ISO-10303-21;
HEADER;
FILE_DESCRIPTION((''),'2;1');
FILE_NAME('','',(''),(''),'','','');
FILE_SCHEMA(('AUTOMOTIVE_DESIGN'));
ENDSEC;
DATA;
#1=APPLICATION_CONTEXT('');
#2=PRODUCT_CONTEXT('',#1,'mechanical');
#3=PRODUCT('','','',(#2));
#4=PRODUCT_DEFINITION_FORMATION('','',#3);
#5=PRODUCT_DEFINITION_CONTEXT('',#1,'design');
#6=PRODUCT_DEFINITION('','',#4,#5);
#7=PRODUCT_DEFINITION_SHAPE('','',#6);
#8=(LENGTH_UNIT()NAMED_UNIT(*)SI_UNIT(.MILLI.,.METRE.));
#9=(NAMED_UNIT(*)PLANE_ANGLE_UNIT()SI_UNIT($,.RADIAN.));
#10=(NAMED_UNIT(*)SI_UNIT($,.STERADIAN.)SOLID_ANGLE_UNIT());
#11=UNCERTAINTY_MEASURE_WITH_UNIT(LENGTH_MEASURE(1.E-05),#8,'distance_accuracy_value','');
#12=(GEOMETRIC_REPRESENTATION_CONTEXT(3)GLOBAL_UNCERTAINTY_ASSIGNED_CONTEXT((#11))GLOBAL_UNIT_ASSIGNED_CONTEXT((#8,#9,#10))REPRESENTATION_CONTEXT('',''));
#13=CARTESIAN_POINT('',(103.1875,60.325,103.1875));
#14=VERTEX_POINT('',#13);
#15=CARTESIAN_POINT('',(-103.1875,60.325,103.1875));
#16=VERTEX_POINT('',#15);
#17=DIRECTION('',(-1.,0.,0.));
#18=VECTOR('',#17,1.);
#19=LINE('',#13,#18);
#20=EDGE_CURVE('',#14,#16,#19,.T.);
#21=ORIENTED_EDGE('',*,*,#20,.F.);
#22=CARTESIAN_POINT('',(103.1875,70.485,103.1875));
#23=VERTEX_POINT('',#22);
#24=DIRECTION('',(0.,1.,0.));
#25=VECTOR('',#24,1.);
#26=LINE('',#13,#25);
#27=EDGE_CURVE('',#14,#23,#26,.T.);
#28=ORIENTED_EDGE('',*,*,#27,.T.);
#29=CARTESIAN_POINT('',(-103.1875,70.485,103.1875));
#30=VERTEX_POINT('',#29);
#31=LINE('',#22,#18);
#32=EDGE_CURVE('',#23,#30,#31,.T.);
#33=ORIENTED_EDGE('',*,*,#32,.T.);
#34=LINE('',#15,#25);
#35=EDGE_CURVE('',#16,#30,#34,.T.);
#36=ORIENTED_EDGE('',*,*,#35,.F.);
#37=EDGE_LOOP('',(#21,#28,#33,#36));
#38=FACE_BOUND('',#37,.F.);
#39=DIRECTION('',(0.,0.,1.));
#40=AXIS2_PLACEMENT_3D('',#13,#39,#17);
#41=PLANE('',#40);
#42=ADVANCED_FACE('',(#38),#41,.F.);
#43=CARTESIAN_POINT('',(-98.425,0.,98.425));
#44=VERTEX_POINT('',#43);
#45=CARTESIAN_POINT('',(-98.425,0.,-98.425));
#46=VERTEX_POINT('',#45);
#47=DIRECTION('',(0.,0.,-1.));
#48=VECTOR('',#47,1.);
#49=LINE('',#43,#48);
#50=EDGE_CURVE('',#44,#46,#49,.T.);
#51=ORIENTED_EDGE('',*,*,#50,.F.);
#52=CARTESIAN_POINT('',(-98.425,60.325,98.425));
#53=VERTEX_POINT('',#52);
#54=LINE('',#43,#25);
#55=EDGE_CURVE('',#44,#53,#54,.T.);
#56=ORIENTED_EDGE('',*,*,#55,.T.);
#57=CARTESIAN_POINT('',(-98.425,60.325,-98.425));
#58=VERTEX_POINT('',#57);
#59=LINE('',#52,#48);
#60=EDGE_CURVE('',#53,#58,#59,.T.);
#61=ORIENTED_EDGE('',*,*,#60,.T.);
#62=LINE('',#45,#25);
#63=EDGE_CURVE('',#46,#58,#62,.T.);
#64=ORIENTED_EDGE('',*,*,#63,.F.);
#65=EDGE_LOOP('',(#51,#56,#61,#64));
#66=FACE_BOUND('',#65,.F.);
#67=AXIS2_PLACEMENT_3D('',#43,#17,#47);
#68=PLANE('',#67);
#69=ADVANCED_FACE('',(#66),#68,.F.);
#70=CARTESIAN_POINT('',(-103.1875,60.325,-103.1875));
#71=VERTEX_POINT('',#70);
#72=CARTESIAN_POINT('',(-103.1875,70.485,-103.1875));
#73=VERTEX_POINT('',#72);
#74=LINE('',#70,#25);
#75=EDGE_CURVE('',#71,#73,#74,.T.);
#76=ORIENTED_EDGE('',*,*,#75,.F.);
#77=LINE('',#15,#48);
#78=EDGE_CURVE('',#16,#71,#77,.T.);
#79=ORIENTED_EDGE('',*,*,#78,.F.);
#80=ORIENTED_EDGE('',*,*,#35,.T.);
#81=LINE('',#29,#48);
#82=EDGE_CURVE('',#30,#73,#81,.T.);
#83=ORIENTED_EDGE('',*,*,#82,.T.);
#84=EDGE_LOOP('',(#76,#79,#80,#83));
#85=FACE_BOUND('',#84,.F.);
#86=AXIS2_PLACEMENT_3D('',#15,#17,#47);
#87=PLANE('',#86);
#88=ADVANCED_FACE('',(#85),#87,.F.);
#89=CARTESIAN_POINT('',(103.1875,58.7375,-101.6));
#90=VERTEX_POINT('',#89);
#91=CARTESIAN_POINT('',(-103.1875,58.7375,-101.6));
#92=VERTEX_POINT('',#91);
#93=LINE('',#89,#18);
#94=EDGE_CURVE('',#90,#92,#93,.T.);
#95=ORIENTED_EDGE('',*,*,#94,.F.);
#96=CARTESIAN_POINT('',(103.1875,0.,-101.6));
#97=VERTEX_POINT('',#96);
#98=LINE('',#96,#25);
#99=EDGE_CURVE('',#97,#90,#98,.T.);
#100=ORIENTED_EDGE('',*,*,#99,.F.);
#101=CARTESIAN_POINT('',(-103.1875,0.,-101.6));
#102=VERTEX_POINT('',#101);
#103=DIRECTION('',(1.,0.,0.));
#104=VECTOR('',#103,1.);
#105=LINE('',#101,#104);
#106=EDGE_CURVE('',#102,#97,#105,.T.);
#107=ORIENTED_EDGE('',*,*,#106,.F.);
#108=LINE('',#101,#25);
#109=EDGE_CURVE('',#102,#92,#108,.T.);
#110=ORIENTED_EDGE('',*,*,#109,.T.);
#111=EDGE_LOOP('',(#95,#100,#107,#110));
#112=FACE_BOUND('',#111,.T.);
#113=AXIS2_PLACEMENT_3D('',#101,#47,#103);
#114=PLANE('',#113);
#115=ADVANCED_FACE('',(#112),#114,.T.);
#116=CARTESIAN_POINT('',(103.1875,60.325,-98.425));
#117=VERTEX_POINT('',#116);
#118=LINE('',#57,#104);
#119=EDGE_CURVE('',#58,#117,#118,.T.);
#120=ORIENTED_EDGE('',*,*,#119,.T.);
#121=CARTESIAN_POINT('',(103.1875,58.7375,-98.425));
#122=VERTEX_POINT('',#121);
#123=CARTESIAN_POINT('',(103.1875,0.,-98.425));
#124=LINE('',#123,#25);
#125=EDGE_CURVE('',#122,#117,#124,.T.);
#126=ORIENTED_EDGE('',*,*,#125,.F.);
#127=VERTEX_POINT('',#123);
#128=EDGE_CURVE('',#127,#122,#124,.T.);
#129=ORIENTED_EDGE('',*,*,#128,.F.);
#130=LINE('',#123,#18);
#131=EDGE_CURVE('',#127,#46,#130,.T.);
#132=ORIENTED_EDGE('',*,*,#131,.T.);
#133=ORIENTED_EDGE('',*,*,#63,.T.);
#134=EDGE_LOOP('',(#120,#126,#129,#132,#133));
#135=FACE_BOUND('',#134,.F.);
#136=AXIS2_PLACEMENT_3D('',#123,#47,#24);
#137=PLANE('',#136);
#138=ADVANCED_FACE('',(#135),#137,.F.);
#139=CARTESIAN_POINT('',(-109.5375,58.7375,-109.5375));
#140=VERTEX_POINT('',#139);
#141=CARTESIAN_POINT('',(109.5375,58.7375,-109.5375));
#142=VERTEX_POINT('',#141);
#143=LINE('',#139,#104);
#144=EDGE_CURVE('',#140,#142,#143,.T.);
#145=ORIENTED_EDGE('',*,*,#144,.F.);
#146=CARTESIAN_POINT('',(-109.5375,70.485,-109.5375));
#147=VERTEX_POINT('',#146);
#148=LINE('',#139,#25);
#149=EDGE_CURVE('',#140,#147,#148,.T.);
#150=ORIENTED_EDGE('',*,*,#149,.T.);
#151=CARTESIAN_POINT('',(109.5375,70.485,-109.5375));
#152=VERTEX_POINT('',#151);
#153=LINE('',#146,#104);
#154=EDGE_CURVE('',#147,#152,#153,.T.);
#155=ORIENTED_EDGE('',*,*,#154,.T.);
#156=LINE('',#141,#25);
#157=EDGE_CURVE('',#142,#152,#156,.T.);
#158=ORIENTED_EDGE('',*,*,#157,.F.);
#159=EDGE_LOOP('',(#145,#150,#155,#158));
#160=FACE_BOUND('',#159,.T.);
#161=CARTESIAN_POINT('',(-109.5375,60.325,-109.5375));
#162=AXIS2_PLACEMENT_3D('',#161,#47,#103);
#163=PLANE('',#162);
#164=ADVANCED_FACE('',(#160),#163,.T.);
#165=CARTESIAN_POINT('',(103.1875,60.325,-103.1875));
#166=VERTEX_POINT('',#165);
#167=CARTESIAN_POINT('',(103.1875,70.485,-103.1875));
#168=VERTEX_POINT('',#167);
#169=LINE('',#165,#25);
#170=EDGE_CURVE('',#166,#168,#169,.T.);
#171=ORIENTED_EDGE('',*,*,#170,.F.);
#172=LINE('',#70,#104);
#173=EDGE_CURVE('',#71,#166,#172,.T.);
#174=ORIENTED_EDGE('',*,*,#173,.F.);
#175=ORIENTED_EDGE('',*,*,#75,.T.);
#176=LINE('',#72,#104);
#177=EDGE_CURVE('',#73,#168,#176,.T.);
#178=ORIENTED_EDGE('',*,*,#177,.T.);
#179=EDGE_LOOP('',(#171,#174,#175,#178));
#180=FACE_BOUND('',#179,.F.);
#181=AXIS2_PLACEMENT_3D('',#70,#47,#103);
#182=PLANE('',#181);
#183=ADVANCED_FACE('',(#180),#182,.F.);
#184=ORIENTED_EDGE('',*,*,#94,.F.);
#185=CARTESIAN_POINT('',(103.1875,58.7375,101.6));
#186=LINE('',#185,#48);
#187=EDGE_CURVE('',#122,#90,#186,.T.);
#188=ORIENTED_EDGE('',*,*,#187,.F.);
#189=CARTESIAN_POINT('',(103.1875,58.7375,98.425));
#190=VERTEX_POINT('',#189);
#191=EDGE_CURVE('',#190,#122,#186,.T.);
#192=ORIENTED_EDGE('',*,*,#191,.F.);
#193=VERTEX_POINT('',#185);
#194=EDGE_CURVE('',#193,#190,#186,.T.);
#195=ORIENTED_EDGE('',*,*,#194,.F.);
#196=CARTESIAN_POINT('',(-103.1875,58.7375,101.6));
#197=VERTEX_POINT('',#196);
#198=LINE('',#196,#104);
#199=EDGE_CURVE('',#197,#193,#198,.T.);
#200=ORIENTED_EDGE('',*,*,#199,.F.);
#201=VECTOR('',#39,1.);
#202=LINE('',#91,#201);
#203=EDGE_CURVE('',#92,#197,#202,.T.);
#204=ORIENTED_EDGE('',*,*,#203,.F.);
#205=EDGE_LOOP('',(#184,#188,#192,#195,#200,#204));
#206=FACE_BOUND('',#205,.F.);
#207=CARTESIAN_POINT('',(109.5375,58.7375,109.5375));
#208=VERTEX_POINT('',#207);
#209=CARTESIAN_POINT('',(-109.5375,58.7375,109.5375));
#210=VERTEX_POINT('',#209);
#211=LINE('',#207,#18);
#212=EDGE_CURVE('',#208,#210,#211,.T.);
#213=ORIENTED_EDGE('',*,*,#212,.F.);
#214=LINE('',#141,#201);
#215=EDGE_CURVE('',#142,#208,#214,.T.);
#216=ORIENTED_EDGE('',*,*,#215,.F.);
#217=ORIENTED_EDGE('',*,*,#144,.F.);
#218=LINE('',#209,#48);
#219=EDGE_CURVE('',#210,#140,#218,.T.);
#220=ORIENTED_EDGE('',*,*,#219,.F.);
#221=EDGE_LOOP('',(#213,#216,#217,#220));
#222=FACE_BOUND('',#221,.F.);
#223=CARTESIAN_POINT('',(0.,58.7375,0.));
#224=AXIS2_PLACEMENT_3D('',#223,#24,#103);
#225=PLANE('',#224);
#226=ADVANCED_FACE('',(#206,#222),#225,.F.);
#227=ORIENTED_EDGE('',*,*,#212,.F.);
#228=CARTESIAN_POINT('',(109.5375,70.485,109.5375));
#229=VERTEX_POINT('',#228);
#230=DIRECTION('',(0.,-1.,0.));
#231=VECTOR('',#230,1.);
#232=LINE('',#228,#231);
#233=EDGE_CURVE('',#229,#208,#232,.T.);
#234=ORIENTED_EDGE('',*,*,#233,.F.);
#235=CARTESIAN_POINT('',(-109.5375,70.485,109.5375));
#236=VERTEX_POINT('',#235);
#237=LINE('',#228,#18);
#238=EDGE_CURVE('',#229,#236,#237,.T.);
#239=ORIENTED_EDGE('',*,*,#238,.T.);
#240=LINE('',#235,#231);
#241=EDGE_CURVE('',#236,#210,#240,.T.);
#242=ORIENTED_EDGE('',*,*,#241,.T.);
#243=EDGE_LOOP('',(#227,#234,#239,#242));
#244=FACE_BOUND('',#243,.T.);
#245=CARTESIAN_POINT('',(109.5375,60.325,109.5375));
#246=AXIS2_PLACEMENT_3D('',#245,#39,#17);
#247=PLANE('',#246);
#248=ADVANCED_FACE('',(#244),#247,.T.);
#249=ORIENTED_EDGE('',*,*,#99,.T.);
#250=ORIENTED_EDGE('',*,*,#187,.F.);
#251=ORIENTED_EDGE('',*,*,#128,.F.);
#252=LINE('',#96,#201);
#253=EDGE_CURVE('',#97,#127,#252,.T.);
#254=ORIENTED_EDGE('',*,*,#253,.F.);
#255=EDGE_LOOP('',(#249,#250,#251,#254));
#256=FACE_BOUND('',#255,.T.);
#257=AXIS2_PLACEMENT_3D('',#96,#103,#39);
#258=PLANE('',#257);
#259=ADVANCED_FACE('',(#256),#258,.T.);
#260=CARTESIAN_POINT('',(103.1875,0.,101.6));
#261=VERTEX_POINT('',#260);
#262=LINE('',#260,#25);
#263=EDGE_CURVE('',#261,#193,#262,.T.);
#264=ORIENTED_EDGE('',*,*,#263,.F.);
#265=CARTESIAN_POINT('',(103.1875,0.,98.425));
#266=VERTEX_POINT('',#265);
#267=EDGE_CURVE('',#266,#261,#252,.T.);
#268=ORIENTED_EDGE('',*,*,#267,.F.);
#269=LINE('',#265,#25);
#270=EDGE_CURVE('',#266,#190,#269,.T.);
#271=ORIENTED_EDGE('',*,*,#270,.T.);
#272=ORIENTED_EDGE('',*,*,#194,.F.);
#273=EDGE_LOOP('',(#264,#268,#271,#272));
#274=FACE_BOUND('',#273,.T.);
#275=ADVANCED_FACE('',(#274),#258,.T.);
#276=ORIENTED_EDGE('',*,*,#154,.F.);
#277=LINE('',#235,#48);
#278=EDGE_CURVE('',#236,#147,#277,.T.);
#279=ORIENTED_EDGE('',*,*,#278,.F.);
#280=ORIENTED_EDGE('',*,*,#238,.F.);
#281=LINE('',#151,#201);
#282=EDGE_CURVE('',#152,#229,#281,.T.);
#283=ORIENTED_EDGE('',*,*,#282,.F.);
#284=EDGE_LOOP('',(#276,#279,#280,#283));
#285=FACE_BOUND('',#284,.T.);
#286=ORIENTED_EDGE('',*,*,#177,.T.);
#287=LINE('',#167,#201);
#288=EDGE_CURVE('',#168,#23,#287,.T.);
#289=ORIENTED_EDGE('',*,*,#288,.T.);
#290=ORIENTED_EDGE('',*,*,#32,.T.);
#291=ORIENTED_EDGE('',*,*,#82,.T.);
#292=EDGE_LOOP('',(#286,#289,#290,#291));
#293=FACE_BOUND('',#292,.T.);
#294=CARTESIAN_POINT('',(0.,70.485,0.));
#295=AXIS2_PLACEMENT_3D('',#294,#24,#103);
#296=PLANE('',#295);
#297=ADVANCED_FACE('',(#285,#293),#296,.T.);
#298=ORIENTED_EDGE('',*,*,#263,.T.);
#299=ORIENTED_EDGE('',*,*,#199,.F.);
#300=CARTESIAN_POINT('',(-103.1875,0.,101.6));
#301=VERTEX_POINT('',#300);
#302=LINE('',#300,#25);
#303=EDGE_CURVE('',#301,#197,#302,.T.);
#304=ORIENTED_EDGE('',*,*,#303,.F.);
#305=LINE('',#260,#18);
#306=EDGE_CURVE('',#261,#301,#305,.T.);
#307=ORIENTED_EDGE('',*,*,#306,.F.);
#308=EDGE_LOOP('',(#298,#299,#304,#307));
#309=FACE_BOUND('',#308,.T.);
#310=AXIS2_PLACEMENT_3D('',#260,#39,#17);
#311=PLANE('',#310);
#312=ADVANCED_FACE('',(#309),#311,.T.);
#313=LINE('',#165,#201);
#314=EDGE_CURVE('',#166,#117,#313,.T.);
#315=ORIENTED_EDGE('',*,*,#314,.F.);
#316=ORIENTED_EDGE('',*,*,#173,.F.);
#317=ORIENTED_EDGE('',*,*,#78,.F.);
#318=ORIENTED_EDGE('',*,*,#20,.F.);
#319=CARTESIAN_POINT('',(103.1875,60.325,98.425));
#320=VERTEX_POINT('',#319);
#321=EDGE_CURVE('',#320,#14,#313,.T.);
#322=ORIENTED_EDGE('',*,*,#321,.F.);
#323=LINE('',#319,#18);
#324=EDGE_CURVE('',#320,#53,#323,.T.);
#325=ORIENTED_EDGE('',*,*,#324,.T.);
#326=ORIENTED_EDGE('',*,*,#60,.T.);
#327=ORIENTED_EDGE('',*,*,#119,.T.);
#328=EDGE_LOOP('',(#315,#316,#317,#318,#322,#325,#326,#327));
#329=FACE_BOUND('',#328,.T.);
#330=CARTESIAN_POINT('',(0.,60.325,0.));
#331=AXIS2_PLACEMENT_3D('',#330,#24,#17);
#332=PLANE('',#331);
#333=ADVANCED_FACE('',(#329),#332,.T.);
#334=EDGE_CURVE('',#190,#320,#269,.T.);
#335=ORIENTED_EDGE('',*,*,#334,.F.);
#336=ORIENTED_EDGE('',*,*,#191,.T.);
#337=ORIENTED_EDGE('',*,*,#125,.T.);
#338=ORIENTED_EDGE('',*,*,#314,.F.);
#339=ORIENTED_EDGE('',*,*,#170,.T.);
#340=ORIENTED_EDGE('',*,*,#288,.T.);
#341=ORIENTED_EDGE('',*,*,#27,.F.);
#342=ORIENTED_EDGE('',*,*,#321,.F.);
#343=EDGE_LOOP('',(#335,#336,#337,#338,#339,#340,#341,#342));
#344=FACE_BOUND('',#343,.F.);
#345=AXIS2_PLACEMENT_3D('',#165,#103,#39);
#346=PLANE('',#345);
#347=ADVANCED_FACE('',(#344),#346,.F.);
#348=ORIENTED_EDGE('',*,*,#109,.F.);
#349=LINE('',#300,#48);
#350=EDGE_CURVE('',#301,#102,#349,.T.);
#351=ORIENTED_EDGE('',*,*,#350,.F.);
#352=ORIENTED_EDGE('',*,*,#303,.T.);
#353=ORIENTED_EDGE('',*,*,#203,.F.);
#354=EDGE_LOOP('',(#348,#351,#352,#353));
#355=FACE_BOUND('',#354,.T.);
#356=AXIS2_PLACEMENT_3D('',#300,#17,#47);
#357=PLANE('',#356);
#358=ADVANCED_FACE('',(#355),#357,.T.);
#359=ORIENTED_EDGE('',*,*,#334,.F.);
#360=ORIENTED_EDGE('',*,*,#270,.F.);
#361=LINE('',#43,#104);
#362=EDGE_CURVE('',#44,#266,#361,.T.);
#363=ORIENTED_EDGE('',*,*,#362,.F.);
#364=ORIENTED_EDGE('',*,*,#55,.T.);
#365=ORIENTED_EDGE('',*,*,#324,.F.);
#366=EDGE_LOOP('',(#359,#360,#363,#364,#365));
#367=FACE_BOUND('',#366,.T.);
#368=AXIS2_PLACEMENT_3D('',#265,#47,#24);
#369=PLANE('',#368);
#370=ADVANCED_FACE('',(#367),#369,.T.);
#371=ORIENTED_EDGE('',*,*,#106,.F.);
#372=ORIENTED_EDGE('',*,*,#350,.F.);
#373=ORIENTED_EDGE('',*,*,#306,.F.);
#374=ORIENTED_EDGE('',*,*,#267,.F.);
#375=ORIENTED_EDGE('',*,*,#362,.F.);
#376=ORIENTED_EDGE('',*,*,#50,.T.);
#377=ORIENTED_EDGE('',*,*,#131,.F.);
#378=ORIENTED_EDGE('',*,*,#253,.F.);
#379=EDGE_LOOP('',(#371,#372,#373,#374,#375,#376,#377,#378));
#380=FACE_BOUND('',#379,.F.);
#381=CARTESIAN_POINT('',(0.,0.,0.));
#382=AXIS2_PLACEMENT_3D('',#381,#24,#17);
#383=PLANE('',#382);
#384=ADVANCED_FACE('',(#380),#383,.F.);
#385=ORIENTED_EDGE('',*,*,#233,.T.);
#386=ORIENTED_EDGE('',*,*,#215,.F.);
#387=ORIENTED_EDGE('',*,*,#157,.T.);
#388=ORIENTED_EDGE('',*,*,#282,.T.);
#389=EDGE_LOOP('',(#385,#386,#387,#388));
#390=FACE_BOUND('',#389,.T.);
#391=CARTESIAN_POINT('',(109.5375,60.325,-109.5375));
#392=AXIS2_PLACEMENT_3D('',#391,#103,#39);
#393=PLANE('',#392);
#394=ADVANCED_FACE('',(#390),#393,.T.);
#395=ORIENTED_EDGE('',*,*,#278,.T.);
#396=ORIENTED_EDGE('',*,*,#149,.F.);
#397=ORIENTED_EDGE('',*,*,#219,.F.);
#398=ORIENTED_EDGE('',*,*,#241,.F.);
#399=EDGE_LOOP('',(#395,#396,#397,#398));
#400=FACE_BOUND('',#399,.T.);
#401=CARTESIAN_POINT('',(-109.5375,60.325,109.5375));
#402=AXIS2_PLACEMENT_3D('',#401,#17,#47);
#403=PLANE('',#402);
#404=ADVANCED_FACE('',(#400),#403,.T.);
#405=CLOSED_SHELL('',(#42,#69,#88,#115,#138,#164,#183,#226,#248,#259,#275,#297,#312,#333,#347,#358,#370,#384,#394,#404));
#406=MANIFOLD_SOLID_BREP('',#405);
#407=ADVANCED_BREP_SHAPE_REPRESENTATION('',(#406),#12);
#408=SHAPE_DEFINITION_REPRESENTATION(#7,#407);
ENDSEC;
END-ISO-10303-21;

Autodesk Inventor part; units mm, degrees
ref_plane "YZ Plane" through (0, 0, 0) normal (1, 0, 0) x (0, 1, 0)
ref_plane "XZ Plane" through (0, 0, 0) normal (0, 1, 0) x (-1, 0, 0)
sketch "Sketch1" plane through (0, 0, 0) normal (0, 1, 0) x (-1, 0, 0)
  line L0 (-103.1875, 101.6) -> (103.1875, 101.6)
  line L1 (103.1875, 101.6) -> (103.1875, -101.6)
  line L2 (103.1875, -101.6) -> (-103.1875, -101.6)
  line L3 (-103.1875, -101.6) -> (-103.1875, 101.6)
  line L4 (-103.1875, 101.6) -> (103.1875, -101.6) construction
  line L5 (103.1875, 101.6) -> (-103.1875, -101.6) construction
  line L6 (-98.425, 98.425) -> (98.425, 98.425)
  line L7 (98.425, 98.425) -> (98.425, -98.425)
  line L8 (98.425, -98.425) -> (-98.425, -98.425)
  line L9 (-98.425, -98.425) -> (-98.425, 98.425)
  line L10 (-98.425, 98.425) -> (98.425, -98.425) construction
  line L11 (98.425, 98.425) -> (-98.425, -98.425) construction
  point P0 (0, 0)
  dimension "d0" = 203.2
  dimension "d1" = 206.375
  dimension "d2" = 196.85
extrude "Extrusion1" add sketch "Sketch1" along normal blind 60.325
ref_plane "Work Plane1" through (0, 58.7375, 0) normal (0, 1, 0) x (1, 0, 0)
sketch "Sketch2" plane through (0, 58.7375, 0) normal (0, 1, 0) x (1, 0, 0)
  line L0 (109.5375, -109.5375) -> (-109.5375, -109.5375)
  line L1 (-109.5375, -109.5375) -> (-109.5375, 109.5375)
  line L2 (-109.5375, 109.5375) -> (109.5375, 109.5375)
  line L3 (109.5375, 109.5375) -> (109.5375, -109.5375)
  line L4 (109.5375, -109.5375) -> (-109.5375, 109.5375) construction
  line L5 (-109.5375, -109.5375) -> (109.5375, 109.5375) construction
  line L6 (103.1875, 101.6) -> (-103.1875, 101.6) projected
  line L7 (-103.1875, 101.6) -> (-103.1875, -101.6) projected
  line L8 (-103.1875, -101.6) -> (103.1875, -101.6) projected
  line L9 (103.1875, -101.6) -> (103.1875, 101.6) projected
  line L10 (98.425, -98.425) -> (-98.425, -98.425) projected
  line L11 (-98.425, -98.425) -> (-98.425, 98.425) projected
  line L12 (-98.425, 98.425) -> (98.425, 98.425) projected
  line L13 (98.425, 98.425) -> (98.425, -98.425) projected
  point P0 (0, 0)
  dimension "d7" = 219.075
extrude "Extrusion2" add sketch "Sketch2" along normal up to surface (1.5875 mm away) contours L0 L1 L2 L3
sketch "Sketch3" plane through (0, 60.325, 0) normal (0, 1, 0) x (1, 0, 0)
  line L0 (109.5375, 109.5375) -> (109.5375, -109.5375) projected
  line L1 (-109.5375, 109.5375) -> (109.5375, 109.5375) projected
  line L2 (-109.5375, -109.5375) -> (-109.5375, 109.5375) projected
  line L3 (109.5375, -109.5375) -> (-109.5375, -109.5375) projected
  line L4 (98.425, -98.425) -> (-98.425, -98.425) projected
  line L5 (-98.425, -98.425) -> (-98.425, 98.425) projected
  line L6 (-98.425, 98.425) -> (98.425, 98.425) projected
  line L7 (98.425, 98.425) -> (98.425, -98.425) projected
  line L8 (103.1875, -103.1875) -> (-103.1875, -103.1875)
  line L9 (-103.1875, -103.1875) -> (-103.1875, 103.1875)
  line L10 (-103.1875, 103.1875) -> (103.1875, 103.1875)
  line L11 (103.1875, 103.1875) -> (103.1875, -103.1875)
  line L12 (103.1875, -103.1875) -> (-103.1875, 103.1875) construction
  line L13 (-103.1875, -103.1875) -> (103.1875, 103.1875) construction
  point P0 (0, 0)
  dimension "d10" = 206.375
extrude "Extrusion3" add sketch "Sketch3" along normal blind 10.16 contours L0 L3 L2 L1
sketch "Sketch4" plane through (103.1875, 0, 101.6) normal (1, 0, 0) x (0, 0, -1)
  line L0 (200.025, 0) -> (3.175, 0) projected
  line L1 (3.175, 0) -> (3.175, 60.325) projected
  line L2 (200.025, 60.325) -> (3.175, 60.325) projected
  line L3 (200.025, 0) -> (200.025, 60.325) projected
  point P0 (101.6, 0)
extrude "Extrusion4" cut sketch "Sketch4" against normal blind 10.16
properties part number "wall support"
